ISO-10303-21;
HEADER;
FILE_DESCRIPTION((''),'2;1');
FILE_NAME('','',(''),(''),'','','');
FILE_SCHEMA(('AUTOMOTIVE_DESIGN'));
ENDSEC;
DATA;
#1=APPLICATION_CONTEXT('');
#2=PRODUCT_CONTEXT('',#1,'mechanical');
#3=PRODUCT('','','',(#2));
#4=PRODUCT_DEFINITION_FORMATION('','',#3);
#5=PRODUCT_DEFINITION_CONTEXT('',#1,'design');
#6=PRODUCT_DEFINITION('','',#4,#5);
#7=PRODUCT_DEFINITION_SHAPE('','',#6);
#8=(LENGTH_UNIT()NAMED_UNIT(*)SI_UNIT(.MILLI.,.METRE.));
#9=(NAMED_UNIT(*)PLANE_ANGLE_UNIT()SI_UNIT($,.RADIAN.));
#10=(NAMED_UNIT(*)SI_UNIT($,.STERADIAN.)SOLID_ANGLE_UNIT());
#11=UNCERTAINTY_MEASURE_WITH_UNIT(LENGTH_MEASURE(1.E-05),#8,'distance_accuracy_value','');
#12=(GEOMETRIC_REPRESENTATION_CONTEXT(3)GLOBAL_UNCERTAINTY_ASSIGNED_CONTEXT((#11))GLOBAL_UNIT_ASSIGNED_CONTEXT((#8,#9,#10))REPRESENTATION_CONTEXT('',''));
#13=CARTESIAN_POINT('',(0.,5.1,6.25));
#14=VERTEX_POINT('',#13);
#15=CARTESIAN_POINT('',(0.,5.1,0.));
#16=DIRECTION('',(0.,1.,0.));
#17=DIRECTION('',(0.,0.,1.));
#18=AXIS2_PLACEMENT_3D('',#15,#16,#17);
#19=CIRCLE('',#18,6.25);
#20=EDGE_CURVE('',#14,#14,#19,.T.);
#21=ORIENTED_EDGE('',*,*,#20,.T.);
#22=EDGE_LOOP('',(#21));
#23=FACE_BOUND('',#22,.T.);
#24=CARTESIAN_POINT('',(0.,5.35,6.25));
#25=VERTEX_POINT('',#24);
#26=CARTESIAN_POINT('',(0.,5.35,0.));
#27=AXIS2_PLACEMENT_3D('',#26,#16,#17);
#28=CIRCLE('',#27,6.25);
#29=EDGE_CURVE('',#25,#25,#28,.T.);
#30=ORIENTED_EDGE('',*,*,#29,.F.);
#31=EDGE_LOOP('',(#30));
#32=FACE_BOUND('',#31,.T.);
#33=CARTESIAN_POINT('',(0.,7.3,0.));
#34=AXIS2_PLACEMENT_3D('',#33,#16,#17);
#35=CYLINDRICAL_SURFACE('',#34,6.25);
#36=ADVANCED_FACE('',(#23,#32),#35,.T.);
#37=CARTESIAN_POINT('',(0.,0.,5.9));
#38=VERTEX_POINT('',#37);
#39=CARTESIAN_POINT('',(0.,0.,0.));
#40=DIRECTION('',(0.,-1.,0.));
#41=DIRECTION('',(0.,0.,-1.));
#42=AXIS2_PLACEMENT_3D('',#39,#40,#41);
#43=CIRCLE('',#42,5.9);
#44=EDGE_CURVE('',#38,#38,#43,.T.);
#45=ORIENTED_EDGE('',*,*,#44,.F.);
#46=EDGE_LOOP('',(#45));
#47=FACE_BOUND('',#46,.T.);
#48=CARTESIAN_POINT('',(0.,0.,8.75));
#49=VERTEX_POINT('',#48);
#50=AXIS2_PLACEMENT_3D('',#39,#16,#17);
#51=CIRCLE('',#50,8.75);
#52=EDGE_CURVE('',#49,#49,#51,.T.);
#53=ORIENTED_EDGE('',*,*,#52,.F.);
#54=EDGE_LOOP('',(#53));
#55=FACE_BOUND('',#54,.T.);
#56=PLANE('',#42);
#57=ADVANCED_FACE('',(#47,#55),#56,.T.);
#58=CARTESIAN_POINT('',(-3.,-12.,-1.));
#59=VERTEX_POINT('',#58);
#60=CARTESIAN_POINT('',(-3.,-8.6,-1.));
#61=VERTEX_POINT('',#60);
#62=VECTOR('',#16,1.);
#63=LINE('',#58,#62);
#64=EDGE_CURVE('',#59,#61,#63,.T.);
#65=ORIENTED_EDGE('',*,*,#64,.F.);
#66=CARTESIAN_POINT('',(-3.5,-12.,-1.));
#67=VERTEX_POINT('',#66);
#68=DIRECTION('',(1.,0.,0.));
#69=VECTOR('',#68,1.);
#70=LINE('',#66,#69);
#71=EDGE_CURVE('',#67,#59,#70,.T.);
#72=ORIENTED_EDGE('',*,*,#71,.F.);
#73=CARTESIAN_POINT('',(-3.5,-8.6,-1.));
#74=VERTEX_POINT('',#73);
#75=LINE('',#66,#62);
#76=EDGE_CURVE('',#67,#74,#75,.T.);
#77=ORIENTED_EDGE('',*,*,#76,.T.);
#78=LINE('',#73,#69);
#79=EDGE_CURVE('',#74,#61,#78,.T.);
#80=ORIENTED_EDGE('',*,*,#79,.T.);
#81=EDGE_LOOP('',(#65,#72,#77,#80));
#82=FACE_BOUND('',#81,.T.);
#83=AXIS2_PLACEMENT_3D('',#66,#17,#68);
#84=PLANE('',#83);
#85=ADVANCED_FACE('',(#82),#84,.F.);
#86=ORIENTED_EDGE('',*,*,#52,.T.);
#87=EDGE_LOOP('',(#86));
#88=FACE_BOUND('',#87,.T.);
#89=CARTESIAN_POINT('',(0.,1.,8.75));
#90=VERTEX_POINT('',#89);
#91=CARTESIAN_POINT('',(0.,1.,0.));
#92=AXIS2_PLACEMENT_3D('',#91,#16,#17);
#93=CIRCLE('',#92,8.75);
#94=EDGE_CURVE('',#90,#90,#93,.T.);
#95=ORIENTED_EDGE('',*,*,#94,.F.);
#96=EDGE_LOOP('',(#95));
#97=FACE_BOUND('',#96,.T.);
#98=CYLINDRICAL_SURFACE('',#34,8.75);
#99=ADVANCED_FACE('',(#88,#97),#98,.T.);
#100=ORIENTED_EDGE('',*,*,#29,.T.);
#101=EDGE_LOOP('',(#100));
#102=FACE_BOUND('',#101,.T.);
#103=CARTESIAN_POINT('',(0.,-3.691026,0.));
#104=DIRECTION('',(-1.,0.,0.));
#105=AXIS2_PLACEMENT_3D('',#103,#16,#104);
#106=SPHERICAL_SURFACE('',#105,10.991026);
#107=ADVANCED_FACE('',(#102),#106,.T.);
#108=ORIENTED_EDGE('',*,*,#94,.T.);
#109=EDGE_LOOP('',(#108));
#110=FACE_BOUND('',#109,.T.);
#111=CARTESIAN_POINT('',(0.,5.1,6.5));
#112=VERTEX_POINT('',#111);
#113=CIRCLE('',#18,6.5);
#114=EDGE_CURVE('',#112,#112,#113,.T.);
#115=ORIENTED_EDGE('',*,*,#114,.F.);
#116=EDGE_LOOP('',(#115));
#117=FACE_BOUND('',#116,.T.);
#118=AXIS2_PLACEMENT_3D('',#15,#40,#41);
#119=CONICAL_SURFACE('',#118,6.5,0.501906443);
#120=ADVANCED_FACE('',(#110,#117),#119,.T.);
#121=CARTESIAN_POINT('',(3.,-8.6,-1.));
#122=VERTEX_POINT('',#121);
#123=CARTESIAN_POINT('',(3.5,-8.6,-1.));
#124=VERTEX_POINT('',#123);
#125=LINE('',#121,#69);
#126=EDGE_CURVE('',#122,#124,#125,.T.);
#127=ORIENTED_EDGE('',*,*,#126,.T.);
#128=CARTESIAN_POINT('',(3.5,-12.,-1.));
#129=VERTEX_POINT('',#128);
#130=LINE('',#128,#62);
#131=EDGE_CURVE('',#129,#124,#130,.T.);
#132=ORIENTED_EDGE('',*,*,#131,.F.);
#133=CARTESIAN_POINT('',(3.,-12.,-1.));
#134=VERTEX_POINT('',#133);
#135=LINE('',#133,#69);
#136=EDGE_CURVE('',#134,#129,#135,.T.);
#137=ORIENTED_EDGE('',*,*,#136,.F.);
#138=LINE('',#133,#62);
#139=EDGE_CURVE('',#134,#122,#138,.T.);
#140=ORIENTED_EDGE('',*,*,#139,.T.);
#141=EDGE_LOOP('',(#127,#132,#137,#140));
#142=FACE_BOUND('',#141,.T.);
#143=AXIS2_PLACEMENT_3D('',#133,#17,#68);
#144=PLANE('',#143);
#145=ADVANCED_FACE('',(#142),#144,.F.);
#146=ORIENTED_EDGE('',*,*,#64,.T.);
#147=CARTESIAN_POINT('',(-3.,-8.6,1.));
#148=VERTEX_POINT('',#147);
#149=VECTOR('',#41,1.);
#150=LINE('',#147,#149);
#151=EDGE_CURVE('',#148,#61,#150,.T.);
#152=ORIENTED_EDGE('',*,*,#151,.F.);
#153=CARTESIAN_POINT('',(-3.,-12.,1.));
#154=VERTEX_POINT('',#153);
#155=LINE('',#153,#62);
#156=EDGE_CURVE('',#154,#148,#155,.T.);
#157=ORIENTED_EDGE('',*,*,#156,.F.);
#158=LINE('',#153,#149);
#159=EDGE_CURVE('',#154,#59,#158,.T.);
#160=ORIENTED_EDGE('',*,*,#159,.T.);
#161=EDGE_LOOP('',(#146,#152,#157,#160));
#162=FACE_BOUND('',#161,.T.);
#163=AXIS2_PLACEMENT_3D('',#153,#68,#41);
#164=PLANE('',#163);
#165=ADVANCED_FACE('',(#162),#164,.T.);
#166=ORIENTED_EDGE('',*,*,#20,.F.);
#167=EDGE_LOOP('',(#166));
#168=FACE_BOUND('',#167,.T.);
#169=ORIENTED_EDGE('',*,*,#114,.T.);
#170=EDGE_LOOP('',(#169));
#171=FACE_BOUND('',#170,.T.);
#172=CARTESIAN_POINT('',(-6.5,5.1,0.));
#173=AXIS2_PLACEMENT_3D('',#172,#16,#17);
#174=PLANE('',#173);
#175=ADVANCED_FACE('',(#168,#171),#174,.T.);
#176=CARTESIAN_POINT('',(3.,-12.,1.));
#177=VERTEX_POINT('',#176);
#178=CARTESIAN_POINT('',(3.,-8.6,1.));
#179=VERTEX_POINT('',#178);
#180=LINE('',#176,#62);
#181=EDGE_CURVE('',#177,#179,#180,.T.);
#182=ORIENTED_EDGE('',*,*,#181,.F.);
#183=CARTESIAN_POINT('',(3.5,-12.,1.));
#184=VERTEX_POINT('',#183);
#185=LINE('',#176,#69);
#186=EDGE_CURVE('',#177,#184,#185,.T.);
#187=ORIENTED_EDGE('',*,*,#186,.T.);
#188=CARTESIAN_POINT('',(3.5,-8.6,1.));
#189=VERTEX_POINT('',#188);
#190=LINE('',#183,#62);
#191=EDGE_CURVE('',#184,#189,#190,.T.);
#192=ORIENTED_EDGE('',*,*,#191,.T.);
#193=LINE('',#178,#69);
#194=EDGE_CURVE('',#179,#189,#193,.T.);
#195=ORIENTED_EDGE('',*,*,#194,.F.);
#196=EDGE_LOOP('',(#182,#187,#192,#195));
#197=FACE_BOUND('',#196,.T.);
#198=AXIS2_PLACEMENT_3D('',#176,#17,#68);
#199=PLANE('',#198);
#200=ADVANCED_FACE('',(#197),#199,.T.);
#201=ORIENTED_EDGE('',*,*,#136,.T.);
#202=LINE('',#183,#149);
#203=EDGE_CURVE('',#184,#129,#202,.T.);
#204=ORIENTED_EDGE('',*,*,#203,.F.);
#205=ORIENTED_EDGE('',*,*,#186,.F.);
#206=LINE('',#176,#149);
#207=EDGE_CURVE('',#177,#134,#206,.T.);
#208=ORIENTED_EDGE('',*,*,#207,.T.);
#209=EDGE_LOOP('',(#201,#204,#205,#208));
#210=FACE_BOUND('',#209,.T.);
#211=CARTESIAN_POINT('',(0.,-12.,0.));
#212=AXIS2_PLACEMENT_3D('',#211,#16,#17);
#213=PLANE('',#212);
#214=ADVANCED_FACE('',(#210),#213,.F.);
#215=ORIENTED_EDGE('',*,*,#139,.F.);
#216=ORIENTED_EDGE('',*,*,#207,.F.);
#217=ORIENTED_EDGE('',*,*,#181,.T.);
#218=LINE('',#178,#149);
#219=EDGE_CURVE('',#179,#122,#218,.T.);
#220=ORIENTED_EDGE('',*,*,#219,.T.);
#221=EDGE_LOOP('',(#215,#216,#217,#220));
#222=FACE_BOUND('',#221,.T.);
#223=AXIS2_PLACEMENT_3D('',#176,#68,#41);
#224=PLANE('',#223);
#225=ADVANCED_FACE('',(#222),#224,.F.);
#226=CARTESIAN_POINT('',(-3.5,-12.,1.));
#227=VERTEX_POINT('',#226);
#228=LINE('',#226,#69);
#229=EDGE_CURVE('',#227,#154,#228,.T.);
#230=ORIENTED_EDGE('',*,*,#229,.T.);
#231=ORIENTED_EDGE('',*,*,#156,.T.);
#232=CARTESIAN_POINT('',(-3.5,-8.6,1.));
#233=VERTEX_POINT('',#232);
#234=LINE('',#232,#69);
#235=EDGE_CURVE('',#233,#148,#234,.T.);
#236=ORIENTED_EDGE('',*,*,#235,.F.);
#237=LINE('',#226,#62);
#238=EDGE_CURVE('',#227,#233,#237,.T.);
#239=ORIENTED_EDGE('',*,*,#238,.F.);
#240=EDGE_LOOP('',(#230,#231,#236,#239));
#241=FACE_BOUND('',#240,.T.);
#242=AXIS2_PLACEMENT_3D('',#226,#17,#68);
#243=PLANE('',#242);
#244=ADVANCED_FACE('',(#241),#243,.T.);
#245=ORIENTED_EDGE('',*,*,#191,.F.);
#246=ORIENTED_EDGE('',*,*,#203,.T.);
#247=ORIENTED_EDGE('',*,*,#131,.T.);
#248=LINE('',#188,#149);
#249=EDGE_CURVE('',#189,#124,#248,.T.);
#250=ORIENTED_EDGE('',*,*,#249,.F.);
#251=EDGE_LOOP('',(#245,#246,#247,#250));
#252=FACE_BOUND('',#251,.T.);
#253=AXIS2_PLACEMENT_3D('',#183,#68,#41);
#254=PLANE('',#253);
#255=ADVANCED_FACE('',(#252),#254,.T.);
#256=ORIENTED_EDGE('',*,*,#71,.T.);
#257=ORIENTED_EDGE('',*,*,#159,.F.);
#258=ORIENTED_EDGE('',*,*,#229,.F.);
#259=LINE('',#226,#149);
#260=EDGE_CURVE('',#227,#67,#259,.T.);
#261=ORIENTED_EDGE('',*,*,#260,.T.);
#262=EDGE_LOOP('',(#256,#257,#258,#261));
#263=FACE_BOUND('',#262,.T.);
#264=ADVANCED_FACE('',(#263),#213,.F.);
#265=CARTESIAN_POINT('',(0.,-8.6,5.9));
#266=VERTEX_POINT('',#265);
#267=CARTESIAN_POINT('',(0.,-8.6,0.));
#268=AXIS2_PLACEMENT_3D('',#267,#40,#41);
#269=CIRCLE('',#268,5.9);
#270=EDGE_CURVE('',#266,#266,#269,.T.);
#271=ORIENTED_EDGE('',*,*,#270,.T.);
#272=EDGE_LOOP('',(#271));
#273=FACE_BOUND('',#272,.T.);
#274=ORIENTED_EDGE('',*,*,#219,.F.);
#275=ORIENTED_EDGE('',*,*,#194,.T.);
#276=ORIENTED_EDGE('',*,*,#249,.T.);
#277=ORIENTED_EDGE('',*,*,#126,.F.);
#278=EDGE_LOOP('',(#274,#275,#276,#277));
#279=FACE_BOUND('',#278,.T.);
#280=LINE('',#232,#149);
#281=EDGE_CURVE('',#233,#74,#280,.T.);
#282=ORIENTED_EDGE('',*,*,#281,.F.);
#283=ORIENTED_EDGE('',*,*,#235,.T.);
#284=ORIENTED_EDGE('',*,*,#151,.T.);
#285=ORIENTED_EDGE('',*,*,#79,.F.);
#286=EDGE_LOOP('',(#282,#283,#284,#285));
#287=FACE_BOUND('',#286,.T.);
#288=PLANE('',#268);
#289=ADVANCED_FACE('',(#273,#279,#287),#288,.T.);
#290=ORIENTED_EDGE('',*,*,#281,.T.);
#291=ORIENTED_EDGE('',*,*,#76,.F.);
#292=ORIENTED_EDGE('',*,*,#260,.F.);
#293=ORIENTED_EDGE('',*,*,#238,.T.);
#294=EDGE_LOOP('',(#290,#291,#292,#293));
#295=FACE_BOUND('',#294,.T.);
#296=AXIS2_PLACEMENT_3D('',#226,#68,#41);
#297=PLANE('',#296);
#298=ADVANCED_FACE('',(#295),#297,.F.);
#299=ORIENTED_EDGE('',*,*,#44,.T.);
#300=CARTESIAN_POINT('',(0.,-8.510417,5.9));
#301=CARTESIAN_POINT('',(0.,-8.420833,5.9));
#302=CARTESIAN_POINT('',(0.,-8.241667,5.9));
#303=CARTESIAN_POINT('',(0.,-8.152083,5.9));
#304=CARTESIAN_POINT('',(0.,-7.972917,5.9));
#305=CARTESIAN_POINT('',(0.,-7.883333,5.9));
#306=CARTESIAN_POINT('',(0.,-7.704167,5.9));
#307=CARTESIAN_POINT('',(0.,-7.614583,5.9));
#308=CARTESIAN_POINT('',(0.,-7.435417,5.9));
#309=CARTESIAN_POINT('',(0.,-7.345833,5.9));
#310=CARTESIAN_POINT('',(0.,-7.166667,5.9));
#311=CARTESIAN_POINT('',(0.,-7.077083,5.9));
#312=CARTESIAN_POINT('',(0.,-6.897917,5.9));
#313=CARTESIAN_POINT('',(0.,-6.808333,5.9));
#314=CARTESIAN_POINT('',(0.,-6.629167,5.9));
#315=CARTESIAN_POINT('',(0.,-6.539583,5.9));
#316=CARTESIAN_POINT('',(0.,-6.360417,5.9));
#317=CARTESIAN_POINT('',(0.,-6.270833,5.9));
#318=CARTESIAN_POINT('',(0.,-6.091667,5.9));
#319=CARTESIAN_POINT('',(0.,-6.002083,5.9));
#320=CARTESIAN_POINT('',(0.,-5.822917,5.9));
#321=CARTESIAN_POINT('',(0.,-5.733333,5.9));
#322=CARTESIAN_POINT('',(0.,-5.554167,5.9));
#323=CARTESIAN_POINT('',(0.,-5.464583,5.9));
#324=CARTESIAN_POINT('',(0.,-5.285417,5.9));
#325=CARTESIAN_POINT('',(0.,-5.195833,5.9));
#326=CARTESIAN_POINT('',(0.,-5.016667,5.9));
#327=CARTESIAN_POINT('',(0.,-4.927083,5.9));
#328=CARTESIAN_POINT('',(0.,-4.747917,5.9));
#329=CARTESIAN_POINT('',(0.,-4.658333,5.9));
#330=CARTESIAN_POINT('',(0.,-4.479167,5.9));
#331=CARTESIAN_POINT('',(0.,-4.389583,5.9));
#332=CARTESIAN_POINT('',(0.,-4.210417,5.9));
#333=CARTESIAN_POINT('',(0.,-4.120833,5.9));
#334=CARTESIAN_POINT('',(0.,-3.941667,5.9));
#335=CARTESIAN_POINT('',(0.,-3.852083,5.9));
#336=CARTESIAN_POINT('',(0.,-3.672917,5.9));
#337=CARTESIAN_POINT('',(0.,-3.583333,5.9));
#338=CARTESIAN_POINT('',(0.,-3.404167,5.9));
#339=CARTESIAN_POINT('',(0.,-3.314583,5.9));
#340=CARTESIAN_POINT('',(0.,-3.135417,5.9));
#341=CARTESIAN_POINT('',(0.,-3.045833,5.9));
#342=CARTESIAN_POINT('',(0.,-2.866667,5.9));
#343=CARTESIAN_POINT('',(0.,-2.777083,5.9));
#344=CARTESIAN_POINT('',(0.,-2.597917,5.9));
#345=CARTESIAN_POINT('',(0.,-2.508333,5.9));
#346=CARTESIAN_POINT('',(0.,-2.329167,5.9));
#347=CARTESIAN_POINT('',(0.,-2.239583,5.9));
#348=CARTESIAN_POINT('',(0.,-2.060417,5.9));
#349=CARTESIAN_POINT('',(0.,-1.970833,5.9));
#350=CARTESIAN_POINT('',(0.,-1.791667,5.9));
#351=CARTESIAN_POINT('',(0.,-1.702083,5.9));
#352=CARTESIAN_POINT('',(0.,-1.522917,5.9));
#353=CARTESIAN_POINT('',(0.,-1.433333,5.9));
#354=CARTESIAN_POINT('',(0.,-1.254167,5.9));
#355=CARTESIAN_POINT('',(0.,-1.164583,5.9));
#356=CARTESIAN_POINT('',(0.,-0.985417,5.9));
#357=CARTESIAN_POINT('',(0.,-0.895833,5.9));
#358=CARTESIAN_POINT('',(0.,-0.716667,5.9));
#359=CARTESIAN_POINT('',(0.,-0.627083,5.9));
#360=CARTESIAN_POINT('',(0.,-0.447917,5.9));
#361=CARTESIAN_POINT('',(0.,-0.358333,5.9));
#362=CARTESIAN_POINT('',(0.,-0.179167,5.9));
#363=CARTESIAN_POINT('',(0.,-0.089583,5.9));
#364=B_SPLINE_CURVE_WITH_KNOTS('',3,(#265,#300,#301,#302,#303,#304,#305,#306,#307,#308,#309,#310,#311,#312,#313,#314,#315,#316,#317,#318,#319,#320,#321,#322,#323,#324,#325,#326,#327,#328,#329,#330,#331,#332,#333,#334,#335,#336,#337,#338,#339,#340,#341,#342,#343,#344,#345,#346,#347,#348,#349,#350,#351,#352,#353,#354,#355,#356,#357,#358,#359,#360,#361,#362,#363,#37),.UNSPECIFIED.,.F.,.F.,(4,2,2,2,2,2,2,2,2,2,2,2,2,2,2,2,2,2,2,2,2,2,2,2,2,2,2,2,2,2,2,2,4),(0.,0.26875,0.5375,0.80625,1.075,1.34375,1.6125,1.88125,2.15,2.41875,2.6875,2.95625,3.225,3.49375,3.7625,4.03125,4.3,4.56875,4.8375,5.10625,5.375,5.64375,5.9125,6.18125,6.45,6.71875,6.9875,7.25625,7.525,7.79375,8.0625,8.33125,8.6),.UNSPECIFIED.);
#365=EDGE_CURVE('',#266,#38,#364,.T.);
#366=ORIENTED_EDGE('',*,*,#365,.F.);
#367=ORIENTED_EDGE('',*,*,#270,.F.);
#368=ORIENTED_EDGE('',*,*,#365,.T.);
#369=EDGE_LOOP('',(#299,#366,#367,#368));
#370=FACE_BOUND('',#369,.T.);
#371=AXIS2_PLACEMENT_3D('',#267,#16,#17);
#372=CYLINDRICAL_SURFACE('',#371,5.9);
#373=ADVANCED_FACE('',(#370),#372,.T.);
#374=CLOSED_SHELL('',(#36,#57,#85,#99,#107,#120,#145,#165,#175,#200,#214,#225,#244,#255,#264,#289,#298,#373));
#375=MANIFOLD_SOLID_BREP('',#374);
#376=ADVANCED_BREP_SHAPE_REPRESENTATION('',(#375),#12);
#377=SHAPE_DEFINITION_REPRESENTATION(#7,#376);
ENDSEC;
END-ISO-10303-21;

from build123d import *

# Parameters (mm, degrees)
SKETCH2_R           = 5.9
BOSS_EXTRUDE1_DEPTH = 8.6
SKETCH3_W           = 0.5
SKETCH3_H           = 2
BOSS_EXTRUDE2_DEPTH = 3.4


with BuildPart() as part:
    # Sketch1 → Revolve1 (revolve)
    with BuildSketch(Plane.XY, mode=Mode.PRIVATE) as revolve1_sk:
        with BuildLine():
            Line((0, 0), (-8.75, 0))
            Line((-8.75, 0), (-8.75, 1))
            Line((-8.75, 1), (-6.5, 5.1))
            Line((-6.5, 5.1), (-6.25, 5.1))
            Line((-6.25, 5.1), (-6.25, 5.35))
            ThreePointArc((-6.25, 5.35), (-3.273568389, 6.801180735), (0, 7.3))
            Line((0, 7.3), (0, 0))
        make_face()
    revolve(revolve1_sk.sketch.rotate(Axis((0, 7.3, 0), (0, -1, 0)), 270), axis=Axis((0, 7.3, 0), (0, -1, 0)))

    # Sketch2 → Boss-Extrude1 (add)
    with BuildSketch(Plane.XZ):
        with Locations(Location((0, 0, 0), (0, 0, 90))):
            Circle(SKETCH2_R)
    extrude(amount=BOSS_EXTRUDE1_DEPTH)

    # Sketch3 → Boss-Extrude2 (add)
    with BuildSketch(Plane.XZ.offset(8.6)):
        with Locations((-3.25, 0)):
            Rectangle(SKETCH3_W, SKETCH3_H)
        with Locations((3.25, 0)):
            Rectangle(SKETCH3_W, SKETCH3_H)
    extrude(amount=BOSS_EXTRUDE2_DEPTH)


solid = part.part
